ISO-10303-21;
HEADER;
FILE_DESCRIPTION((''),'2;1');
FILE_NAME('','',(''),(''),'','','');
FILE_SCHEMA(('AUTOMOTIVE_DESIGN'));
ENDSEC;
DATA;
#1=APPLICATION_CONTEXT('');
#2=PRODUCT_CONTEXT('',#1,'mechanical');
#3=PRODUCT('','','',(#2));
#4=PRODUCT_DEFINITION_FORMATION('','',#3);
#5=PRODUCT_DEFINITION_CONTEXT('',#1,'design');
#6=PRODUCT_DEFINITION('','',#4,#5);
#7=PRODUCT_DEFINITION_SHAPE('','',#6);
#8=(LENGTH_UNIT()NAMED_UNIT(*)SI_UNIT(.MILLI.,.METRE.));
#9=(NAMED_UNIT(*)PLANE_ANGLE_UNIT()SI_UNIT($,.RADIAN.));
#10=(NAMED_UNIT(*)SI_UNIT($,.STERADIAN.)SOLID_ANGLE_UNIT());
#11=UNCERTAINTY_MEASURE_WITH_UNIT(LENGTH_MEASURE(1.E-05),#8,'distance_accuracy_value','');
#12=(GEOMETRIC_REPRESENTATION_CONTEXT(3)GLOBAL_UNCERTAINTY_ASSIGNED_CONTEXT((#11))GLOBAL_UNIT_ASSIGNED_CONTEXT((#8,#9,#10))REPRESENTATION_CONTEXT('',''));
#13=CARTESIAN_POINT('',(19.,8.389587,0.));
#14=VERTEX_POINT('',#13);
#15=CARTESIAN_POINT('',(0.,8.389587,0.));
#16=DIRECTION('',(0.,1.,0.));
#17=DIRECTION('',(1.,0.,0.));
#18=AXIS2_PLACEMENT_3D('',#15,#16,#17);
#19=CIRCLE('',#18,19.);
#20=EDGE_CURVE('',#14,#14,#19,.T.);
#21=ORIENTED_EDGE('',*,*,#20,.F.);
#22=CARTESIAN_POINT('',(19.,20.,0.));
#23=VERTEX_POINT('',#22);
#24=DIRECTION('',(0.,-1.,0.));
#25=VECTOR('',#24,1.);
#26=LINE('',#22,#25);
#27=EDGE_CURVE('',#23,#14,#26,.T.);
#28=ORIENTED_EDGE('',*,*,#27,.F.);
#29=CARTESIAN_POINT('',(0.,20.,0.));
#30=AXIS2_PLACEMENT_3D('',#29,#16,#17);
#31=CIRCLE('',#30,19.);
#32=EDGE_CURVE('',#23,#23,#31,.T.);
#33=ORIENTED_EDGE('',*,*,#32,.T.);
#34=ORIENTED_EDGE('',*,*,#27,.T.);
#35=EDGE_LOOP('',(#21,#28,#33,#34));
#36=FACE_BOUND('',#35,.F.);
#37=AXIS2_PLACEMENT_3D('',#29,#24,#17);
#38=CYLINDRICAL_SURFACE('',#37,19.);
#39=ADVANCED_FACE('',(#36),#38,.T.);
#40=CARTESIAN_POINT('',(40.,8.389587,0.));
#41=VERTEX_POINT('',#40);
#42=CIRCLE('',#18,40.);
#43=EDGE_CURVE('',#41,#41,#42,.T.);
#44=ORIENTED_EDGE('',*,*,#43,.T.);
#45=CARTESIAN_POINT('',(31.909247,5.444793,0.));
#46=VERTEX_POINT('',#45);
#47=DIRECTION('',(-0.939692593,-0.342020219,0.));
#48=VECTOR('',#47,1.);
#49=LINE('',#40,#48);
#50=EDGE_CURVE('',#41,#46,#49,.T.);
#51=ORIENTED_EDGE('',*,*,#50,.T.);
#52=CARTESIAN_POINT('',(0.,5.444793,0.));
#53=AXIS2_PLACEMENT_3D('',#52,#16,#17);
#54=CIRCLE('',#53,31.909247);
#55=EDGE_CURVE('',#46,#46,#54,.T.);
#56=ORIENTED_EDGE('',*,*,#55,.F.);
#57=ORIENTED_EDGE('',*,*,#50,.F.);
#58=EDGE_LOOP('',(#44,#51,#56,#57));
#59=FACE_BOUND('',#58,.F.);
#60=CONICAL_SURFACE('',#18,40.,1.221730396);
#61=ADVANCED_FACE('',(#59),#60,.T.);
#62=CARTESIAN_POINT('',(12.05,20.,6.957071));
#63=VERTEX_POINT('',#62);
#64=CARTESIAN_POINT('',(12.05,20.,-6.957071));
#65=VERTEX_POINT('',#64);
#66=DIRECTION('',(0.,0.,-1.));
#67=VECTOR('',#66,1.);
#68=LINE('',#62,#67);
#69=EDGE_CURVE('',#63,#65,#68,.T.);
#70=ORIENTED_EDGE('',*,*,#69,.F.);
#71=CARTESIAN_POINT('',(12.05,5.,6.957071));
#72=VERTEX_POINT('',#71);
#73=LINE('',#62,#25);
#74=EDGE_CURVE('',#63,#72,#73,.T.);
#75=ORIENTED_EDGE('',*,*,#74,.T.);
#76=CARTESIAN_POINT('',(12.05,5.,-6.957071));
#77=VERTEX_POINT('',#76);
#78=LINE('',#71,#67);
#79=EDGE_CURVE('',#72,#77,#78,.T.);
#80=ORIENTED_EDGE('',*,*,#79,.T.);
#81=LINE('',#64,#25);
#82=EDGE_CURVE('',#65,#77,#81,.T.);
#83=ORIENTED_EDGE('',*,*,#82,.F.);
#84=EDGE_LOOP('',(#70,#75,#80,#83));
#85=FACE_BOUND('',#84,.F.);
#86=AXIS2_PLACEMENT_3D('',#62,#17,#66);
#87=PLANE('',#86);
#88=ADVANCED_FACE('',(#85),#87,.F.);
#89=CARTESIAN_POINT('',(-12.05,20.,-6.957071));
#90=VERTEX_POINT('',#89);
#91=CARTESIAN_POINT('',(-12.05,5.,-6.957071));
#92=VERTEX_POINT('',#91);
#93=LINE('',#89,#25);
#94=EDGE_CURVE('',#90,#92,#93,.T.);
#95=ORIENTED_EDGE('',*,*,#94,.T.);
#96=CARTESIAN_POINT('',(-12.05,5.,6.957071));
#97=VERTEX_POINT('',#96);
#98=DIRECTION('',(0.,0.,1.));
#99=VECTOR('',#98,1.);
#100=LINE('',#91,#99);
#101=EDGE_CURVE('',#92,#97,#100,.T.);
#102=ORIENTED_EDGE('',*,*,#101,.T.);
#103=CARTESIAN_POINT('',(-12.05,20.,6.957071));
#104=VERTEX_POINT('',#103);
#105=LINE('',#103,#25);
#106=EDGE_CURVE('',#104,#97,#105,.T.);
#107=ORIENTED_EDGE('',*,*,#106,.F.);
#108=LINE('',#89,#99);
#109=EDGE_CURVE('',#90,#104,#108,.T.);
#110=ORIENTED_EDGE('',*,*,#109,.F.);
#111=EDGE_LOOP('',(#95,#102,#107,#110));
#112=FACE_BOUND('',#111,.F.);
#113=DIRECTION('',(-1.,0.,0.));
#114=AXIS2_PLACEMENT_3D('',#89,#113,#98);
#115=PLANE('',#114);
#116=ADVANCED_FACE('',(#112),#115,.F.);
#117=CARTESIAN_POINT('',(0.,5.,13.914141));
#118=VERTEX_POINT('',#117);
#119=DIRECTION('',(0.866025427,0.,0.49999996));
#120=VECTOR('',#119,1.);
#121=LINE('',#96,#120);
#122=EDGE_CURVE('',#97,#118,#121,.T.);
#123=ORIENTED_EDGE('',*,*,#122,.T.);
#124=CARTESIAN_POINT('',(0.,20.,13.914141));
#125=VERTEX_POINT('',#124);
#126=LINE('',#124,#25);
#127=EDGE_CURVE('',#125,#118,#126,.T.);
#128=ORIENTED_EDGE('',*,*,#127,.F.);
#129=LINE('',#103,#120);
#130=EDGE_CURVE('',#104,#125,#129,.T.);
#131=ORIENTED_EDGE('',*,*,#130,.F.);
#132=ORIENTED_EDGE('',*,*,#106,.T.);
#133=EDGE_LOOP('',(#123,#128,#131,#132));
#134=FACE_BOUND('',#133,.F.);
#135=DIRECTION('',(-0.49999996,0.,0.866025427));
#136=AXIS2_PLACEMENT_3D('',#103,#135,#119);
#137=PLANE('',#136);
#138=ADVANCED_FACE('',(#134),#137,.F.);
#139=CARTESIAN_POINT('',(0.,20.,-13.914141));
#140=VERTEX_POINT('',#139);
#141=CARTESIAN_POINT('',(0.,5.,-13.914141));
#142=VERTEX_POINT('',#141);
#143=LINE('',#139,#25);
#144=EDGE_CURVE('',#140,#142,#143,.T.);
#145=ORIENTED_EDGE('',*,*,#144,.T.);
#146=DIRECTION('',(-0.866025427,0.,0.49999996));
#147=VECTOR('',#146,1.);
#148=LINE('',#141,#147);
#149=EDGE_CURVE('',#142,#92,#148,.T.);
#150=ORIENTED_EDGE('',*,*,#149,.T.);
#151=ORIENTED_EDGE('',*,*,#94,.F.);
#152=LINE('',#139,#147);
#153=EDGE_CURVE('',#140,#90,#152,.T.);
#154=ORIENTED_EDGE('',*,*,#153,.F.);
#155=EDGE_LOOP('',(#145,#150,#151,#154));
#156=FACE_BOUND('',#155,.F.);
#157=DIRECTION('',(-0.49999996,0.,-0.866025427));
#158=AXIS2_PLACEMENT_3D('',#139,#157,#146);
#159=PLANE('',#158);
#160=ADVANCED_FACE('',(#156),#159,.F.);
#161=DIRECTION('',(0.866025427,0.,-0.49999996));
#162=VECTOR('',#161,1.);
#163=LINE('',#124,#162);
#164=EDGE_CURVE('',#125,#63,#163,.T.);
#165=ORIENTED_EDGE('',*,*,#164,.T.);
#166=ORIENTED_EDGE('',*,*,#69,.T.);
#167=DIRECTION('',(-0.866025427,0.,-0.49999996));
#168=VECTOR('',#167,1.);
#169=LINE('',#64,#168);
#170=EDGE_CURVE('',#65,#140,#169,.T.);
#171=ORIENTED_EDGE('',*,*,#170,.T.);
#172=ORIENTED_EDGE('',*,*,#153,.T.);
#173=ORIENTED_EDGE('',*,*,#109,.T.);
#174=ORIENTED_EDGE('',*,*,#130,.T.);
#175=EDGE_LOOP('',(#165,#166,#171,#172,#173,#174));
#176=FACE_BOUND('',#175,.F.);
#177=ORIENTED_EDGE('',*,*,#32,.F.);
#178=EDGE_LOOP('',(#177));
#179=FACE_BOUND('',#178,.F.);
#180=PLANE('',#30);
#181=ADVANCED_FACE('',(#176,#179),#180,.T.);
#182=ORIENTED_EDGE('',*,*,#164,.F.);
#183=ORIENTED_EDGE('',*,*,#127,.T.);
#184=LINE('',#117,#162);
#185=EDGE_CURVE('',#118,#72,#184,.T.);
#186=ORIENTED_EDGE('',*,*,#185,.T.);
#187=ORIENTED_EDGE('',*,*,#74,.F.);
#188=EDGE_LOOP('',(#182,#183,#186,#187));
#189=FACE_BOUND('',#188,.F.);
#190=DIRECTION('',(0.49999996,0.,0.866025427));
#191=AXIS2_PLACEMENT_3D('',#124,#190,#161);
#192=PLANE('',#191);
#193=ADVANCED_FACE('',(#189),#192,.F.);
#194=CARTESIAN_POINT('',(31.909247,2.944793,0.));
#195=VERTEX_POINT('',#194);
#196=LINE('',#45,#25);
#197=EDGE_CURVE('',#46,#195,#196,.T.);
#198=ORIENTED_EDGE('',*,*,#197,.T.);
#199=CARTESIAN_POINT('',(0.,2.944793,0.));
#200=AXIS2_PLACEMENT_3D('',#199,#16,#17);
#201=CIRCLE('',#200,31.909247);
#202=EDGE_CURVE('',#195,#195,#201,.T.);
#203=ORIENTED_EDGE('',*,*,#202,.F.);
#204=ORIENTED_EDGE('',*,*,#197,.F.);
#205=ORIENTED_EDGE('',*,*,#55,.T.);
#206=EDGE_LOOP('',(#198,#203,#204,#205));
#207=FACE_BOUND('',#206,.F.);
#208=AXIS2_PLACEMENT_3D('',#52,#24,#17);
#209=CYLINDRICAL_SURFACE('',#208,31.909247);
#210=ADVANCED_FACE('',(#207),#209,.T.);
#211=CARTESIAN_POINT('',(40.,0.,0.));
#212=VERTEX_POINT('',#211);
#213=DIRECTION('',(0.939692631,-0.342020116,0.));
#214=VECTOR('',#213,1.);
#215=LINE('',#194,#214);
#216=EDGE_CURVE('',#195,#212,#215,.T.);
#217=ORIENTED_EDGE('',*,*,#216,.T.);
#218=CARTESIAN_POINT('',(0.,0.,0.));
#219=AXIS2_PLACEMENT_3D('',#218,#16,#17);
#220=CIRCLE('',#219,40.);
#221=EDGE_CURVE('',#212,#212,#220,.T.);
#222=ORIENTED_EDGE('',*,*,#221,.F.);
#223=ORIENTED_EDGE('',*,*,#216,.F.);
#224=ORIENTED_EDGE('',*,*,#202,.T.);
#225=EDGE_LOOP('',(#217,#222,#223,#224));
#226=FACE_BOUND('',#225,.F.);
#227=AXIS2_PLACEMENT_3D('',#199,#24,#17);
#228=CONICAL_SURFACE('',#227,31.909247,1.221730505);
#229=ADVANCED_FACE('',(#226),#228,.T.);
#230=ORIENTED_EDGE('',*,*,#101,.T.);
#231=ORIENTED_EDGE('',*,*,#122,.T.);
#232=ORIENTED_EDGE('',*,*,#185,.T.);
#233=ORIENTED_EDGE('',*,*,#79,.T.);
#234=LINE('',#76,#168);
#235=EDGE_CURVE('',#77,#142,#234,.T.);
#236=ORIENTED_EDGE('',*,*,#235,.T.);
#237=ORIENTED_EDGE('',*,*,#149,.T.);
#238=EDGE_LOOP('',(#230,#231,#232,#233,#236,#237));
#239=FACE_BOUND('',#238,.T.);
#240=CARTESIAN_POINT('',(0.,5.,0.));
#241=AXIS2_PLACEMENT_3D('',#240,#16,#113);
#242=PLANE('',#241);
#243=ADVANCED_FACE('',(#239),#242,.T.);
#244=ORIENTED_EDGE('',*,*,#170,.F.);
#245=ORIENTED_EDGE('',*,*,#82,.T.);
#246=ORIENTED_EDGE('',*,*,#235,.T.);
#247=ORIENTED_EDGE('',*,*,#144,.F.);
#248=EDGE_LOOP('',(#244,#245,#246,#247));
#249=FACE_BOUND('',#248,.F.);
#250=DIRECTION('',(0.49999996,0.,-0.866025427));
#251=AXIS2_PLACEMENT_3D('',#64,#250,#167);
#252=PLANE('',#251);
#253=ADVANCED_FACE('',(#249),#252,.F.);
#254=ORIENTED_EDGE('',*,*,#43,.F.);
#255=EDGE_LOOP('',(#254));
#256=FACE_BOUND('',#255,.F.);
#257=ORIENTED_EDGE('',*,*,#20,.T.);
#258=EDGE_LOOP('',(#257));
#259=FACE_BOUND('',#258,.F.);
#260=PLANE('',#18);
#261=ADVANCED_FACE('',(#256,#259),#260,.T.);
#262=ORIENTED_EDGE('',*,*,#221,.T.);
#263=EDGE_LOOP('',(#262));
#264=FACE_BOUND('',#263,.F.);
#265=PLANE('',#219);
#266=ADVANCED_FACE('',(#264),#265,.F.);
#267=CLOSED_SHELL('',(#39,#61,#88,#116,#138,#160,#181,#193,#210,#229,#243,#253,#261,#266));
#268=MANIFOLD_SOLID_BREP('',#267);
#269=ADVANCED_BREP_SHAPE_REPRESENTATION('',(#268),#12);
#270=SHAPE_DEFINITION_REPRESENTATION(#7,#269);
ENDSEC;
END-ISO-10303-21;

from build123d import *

# Parameters (mm, degrees)
POCKET_DEPTH = 15


with BuildPart() as part:
    # CopySketch → Revolution (revolve)
    with BuildSketch(Plane.XY):
        Polygon((0, 20), (19, 20), (19, 8.389587), (40, 8.389587), (31.909247, 5.444793), (31.909247, 2.944793), (40, 0), (0, 0), align=None)
    revolve(axis=Axis((0, 0, 0), (0, 1, 0)))

    # Sketch002 → Pocket (cut)
    with BuildSketch(Plane(origin=(0, 20, 0), x_dir=(-1, 0, 0), z_dir=(0, 1, 0))):
        Polygon((0, 13.914141), (-12.05, 6.957071), (-12.05, -6.957071), (0, -13.914141), (12.05, -6.957071), (12.05, 6.957071), align=None)
    extrude(amount=-POCKET_DEPTH, mode=Mode.SUBTRACT)


solid = part.part
